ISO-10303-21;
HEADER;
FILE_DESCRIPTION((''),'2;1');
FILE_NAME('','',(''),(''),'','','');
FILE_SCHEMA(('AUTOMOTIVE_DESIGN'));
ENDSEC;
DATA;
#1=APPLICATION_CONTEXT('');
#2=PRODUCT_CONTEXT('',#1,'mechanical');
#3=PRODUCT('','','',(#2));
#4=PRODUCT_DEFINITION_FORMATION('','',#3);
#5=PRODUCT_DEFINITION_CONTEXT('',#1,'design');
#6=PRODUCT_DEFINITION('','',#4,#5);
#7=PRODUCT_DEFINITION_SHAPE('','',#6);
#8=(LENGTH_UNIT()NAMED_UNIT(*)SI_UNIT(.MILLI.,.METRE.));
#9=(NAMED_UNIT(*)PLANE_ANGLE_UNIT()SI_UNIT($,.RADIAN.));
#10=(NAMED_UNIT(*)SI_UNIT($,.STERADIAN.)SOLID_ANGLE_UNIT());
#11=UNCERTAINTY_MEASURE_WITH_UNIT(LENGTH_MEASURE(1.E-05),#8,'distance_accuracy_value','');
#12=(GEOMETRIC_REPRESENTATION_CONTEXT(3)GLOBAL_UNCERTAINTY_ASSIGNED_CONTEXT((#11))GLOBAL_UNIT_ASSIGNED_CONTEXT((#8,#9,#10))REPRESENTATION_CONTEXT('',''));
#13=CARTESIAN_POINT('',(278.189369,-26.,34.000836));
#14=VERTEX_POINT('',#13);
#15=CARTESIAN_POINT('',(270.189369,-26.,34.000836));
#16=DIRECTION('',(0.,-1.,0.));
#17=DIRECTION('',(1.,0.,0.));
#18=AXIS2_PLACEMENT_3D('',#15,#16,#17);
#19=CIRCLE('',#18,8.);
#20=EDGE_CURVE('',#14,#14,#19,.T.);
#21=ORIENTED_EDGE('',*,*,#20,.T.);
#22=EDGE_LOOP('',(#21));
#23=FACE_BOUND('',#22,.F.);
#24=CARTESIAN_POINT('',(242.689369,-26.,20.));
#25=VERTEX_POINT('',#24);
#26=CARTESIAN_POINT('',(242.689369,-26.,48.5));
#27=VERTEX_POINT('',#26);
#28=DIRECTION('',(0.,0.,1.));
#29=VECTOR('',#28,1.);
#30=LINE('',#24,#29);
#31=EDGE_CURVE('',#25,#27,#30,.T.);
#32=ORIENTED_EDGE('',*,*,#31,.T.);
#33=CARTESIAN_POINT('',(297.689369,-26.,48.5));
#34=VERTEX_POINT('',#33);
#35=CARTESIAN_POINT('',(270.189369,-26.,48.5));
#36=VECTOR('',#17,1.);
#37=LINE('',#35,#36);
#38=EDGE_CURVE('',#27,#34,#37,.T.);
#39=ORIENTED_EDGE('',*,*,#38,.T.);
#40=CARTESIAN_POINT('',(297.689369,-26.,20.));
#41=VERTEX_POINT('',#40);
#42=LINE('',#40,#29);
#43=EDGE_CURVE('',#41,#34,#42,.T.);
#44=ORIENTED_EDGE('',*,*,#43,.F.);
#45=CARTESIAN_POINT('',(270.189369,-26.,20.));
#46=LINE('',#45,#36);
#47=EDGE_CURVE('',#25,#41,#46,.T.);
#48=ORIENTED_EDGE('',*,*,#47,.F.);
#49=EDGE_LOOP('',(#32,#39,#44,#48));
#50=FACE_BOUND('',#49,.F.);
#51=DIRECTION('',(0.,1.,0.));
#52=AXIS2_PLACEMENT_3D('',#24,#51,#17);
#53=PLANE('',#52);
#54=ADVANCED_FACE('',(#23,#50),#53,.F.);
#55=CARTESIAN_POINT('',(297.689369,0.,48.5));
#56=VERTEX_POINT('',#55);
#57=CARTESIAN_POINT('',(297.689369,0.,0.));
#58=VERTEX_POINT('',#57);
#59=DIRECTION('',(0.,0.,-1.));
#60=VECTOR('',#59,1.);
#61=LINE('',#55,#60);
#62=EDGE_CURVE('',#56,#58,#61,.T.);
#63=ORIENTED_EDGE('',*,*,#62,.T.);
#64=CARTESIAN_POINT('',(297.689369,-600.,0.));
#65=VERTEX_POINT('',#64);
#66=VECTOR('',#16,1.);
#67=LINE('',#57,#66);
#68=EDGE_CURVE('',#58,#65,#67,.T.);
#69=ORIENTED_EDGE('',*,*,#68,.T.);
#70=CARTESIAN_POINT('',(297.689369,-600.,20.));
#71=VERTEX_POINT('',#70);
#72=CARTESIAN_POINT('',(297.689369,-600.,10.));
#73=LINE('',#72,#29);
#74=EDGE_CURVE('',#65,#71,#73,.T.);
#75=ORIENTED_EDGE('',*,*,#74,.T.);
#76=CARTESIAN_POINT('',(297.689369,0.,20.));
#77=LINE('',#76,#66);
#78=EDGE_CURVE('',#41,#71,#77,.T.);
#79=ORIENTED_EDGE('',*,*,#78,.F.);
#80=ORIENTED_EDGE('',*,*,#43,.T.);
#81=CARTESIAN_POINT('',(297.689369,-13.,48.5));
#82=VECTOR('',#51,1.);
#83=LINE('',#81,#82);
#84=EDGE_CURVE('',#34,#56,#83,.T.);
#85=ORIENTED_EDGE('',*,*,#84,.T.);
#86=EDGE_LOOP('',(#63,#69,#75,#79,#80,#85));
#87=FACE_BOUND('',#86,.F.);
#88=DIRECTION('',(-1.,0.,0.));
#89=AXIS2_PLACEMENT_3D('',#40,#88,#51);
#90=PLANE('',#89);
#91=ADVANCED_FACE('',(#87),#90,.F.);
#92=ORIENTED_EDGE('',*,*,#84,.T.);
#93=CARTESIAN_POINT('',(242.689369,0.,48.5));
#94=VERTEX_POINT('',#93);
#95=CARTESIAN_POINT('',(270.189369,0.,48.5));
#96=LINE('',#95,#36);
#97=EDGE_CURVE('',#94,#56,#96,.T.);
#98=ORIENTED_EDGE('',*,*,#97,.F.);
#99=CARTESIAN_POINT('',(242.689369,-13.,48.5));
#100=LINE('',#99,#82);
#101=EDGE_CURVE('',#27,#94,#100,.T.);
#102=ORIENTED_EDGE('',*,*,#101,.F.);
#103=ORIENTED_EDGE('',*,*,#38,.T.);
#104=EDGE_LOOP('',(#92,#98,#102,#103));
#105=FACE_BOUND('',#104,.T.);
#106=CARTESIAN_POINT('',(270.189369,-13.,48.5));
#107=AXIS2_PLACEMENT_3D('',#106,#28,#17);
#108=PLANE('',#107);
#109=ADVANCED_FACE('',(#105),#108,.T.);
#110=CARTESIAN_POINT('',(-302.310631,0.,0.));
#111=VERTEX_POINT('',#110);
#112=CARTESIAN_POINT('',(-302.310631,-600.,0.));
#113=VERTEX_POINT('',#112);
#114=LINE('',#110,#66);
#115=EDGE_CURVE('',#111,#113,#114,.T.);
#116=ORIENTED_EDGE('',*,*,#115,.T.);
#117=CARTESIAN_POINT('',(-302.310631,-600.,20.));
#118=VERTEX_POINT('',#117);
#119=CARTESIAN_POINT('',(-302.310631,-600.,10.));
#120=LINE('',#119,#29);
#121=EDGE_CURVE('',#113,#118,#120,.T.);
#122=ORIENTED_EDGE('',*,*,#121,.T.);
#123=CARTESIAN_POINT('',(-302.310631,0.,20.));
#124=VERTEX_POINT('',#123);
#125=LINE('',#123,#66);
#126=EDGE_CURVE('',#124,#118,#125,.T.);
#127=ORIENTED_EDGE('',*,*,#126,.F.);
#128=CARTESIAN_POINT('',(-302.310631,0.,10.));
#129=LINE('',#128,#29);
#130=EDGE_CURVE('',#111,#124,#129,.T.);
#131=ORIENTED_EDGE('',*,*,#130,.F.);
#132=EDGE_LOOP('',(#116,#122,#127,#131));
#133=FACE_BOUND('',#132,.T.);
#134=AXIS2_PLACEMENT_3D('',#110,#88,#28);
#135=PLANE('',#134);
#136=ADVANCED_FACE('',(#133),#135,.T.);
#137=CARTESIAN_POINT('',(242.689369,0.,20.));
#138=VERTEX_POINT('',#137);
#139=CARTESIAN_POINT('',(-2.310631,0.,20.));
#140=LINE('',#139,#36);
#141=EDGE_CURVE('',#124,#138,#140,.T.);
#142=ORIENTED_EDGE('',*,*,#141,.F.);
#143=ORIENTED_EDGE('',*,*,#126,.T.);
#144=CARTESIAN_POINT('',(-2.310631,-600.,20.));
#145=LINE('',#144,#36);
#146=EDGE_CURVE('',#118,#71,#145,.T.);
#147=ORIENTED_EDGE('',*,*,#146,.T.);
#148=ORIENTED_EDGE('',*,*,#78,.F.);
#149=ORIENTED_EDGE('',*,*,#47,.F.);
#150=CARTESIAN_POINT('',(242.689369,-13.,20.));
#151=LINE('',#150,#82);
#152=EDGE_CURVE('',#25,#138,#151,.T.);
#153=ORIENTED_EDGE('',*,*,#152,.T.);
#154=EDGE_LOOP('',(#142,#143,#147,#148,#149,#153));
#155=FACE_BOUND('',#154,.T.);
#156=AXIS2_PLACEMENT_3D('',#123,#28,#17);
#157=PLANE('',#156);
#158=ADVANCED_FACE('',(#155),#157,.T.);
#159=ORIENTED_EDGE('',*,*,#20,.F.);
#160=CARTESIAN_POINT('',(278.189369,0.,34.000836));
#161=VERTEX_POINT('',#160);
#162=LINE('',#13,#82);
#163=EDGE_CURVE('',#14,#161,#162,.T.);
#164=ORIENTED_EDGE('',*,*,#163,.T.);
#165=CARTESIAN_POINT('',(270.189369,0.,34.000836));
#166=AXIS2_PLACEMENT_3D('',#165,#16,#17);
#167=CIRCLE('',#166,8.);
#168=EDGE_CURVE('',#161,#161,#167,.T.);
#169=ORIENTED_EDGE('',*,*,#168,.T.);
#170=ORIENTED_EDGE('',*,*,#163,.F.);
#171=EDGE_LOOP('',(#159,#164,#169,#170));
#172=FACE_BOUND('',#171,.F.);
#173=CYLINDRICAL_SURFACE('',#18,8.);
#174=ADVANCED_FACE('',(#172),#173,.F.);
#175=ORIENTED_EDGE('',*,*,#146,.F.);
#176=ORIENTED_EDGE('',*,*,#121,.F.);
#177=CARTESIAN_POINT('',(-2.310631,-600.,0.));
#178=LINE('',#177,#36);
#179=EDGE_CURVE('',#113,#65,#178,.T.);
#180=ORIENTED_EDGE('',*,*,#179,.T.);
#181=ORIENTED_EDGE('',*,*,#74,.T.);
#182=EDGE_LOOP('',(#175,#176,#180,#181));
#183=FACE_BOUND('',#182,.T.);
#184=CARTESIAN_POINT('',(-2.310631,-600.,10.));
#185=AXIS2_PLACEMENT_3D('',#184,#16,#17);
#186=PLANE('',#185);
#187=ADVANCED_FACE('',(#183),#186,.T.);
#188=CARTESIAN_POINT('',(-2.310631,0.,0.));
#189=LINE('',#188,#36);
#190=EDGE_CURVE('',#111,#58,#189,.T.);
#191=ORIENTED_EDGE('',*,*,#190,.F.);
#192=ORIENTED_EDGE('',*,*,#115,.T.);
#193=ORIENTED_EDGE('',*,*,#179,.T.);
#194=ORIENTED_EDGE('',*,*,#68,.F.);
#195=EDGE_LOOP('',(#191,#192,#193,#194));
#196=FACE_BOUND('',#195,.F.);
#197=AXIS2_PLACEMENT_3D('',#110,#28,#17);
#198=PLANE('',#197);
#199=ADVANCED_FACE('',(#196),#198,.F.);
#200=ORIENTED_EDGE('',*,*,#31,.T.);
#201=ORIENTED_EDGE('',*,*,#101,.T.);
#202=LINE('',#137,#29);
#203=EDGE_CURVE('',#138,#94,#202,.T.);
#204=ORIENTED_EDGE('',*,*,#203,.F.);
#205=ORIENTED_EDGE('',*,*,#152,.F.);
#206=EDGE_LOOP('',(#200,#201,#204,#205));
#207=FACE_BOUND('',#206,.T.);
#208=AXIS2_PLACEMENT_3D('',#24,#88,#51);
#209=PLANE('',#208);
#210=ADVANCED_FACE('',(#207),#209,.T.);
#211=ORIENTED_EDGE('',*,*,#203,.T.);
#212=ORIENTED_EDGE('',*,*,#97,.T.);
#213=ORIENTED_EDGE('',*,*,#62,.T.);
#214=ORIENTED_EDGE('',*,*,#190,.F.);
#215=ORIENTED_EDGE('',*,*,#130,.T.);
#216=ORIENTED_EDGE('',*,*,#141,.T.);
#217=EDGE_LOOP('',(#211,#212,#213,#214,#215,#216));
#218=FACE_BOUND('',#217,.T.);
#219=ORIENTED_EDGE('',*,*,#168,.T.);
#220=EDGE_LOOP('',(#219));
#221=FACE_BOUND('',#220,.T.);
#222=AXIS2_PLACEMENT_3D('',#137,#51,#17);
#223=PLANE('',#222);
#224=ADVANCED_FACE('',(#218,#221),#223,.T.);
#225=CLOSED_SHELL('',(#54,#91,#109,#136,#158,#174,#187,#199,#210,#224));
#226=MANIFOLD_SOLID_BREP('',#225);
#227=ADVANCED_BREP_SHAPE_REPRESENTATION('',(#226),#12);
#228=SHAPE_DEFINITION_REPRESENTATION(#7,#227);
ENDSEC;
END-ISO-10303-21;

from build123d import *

# Parameters (mm, degrees)
F0_W     = 600
F0_H     = 20
F1_DEPTH = 600
F2_W     = 55
F2_H     = 26
F3_DEPTH = 28.5
F4_R     = 8
F5_DEPTH = 26


with BuildPart() as f1:
    # F0 (on Front) → F1 (new body)
    with BuildSketch(Plane.XZ):
        with Locations((-2.310631, 10)):
            Rectangle(F0_W, F0_H)
    extrude(amount=F1_DEPTH)

    # F2 (on face) → F3 (join)
    with BuildSketch(Plane.XY.offset(20)):
        with Locations((270.189369, -13)):
            Rectangle(F2_W, F2_H)
    extrude(amount=F3_DEPTH)

    # F4 (on face) → F5 (cut, through all)
    with BuildSketch(Plane.XZ.offset(26)):
        with Locations((270.189369, 34.000836)):
            Circle(F4_R)
    extrude(amount=-F5_DEPTH, mode=Mode.SUBTRACT)


solid = f1.part
